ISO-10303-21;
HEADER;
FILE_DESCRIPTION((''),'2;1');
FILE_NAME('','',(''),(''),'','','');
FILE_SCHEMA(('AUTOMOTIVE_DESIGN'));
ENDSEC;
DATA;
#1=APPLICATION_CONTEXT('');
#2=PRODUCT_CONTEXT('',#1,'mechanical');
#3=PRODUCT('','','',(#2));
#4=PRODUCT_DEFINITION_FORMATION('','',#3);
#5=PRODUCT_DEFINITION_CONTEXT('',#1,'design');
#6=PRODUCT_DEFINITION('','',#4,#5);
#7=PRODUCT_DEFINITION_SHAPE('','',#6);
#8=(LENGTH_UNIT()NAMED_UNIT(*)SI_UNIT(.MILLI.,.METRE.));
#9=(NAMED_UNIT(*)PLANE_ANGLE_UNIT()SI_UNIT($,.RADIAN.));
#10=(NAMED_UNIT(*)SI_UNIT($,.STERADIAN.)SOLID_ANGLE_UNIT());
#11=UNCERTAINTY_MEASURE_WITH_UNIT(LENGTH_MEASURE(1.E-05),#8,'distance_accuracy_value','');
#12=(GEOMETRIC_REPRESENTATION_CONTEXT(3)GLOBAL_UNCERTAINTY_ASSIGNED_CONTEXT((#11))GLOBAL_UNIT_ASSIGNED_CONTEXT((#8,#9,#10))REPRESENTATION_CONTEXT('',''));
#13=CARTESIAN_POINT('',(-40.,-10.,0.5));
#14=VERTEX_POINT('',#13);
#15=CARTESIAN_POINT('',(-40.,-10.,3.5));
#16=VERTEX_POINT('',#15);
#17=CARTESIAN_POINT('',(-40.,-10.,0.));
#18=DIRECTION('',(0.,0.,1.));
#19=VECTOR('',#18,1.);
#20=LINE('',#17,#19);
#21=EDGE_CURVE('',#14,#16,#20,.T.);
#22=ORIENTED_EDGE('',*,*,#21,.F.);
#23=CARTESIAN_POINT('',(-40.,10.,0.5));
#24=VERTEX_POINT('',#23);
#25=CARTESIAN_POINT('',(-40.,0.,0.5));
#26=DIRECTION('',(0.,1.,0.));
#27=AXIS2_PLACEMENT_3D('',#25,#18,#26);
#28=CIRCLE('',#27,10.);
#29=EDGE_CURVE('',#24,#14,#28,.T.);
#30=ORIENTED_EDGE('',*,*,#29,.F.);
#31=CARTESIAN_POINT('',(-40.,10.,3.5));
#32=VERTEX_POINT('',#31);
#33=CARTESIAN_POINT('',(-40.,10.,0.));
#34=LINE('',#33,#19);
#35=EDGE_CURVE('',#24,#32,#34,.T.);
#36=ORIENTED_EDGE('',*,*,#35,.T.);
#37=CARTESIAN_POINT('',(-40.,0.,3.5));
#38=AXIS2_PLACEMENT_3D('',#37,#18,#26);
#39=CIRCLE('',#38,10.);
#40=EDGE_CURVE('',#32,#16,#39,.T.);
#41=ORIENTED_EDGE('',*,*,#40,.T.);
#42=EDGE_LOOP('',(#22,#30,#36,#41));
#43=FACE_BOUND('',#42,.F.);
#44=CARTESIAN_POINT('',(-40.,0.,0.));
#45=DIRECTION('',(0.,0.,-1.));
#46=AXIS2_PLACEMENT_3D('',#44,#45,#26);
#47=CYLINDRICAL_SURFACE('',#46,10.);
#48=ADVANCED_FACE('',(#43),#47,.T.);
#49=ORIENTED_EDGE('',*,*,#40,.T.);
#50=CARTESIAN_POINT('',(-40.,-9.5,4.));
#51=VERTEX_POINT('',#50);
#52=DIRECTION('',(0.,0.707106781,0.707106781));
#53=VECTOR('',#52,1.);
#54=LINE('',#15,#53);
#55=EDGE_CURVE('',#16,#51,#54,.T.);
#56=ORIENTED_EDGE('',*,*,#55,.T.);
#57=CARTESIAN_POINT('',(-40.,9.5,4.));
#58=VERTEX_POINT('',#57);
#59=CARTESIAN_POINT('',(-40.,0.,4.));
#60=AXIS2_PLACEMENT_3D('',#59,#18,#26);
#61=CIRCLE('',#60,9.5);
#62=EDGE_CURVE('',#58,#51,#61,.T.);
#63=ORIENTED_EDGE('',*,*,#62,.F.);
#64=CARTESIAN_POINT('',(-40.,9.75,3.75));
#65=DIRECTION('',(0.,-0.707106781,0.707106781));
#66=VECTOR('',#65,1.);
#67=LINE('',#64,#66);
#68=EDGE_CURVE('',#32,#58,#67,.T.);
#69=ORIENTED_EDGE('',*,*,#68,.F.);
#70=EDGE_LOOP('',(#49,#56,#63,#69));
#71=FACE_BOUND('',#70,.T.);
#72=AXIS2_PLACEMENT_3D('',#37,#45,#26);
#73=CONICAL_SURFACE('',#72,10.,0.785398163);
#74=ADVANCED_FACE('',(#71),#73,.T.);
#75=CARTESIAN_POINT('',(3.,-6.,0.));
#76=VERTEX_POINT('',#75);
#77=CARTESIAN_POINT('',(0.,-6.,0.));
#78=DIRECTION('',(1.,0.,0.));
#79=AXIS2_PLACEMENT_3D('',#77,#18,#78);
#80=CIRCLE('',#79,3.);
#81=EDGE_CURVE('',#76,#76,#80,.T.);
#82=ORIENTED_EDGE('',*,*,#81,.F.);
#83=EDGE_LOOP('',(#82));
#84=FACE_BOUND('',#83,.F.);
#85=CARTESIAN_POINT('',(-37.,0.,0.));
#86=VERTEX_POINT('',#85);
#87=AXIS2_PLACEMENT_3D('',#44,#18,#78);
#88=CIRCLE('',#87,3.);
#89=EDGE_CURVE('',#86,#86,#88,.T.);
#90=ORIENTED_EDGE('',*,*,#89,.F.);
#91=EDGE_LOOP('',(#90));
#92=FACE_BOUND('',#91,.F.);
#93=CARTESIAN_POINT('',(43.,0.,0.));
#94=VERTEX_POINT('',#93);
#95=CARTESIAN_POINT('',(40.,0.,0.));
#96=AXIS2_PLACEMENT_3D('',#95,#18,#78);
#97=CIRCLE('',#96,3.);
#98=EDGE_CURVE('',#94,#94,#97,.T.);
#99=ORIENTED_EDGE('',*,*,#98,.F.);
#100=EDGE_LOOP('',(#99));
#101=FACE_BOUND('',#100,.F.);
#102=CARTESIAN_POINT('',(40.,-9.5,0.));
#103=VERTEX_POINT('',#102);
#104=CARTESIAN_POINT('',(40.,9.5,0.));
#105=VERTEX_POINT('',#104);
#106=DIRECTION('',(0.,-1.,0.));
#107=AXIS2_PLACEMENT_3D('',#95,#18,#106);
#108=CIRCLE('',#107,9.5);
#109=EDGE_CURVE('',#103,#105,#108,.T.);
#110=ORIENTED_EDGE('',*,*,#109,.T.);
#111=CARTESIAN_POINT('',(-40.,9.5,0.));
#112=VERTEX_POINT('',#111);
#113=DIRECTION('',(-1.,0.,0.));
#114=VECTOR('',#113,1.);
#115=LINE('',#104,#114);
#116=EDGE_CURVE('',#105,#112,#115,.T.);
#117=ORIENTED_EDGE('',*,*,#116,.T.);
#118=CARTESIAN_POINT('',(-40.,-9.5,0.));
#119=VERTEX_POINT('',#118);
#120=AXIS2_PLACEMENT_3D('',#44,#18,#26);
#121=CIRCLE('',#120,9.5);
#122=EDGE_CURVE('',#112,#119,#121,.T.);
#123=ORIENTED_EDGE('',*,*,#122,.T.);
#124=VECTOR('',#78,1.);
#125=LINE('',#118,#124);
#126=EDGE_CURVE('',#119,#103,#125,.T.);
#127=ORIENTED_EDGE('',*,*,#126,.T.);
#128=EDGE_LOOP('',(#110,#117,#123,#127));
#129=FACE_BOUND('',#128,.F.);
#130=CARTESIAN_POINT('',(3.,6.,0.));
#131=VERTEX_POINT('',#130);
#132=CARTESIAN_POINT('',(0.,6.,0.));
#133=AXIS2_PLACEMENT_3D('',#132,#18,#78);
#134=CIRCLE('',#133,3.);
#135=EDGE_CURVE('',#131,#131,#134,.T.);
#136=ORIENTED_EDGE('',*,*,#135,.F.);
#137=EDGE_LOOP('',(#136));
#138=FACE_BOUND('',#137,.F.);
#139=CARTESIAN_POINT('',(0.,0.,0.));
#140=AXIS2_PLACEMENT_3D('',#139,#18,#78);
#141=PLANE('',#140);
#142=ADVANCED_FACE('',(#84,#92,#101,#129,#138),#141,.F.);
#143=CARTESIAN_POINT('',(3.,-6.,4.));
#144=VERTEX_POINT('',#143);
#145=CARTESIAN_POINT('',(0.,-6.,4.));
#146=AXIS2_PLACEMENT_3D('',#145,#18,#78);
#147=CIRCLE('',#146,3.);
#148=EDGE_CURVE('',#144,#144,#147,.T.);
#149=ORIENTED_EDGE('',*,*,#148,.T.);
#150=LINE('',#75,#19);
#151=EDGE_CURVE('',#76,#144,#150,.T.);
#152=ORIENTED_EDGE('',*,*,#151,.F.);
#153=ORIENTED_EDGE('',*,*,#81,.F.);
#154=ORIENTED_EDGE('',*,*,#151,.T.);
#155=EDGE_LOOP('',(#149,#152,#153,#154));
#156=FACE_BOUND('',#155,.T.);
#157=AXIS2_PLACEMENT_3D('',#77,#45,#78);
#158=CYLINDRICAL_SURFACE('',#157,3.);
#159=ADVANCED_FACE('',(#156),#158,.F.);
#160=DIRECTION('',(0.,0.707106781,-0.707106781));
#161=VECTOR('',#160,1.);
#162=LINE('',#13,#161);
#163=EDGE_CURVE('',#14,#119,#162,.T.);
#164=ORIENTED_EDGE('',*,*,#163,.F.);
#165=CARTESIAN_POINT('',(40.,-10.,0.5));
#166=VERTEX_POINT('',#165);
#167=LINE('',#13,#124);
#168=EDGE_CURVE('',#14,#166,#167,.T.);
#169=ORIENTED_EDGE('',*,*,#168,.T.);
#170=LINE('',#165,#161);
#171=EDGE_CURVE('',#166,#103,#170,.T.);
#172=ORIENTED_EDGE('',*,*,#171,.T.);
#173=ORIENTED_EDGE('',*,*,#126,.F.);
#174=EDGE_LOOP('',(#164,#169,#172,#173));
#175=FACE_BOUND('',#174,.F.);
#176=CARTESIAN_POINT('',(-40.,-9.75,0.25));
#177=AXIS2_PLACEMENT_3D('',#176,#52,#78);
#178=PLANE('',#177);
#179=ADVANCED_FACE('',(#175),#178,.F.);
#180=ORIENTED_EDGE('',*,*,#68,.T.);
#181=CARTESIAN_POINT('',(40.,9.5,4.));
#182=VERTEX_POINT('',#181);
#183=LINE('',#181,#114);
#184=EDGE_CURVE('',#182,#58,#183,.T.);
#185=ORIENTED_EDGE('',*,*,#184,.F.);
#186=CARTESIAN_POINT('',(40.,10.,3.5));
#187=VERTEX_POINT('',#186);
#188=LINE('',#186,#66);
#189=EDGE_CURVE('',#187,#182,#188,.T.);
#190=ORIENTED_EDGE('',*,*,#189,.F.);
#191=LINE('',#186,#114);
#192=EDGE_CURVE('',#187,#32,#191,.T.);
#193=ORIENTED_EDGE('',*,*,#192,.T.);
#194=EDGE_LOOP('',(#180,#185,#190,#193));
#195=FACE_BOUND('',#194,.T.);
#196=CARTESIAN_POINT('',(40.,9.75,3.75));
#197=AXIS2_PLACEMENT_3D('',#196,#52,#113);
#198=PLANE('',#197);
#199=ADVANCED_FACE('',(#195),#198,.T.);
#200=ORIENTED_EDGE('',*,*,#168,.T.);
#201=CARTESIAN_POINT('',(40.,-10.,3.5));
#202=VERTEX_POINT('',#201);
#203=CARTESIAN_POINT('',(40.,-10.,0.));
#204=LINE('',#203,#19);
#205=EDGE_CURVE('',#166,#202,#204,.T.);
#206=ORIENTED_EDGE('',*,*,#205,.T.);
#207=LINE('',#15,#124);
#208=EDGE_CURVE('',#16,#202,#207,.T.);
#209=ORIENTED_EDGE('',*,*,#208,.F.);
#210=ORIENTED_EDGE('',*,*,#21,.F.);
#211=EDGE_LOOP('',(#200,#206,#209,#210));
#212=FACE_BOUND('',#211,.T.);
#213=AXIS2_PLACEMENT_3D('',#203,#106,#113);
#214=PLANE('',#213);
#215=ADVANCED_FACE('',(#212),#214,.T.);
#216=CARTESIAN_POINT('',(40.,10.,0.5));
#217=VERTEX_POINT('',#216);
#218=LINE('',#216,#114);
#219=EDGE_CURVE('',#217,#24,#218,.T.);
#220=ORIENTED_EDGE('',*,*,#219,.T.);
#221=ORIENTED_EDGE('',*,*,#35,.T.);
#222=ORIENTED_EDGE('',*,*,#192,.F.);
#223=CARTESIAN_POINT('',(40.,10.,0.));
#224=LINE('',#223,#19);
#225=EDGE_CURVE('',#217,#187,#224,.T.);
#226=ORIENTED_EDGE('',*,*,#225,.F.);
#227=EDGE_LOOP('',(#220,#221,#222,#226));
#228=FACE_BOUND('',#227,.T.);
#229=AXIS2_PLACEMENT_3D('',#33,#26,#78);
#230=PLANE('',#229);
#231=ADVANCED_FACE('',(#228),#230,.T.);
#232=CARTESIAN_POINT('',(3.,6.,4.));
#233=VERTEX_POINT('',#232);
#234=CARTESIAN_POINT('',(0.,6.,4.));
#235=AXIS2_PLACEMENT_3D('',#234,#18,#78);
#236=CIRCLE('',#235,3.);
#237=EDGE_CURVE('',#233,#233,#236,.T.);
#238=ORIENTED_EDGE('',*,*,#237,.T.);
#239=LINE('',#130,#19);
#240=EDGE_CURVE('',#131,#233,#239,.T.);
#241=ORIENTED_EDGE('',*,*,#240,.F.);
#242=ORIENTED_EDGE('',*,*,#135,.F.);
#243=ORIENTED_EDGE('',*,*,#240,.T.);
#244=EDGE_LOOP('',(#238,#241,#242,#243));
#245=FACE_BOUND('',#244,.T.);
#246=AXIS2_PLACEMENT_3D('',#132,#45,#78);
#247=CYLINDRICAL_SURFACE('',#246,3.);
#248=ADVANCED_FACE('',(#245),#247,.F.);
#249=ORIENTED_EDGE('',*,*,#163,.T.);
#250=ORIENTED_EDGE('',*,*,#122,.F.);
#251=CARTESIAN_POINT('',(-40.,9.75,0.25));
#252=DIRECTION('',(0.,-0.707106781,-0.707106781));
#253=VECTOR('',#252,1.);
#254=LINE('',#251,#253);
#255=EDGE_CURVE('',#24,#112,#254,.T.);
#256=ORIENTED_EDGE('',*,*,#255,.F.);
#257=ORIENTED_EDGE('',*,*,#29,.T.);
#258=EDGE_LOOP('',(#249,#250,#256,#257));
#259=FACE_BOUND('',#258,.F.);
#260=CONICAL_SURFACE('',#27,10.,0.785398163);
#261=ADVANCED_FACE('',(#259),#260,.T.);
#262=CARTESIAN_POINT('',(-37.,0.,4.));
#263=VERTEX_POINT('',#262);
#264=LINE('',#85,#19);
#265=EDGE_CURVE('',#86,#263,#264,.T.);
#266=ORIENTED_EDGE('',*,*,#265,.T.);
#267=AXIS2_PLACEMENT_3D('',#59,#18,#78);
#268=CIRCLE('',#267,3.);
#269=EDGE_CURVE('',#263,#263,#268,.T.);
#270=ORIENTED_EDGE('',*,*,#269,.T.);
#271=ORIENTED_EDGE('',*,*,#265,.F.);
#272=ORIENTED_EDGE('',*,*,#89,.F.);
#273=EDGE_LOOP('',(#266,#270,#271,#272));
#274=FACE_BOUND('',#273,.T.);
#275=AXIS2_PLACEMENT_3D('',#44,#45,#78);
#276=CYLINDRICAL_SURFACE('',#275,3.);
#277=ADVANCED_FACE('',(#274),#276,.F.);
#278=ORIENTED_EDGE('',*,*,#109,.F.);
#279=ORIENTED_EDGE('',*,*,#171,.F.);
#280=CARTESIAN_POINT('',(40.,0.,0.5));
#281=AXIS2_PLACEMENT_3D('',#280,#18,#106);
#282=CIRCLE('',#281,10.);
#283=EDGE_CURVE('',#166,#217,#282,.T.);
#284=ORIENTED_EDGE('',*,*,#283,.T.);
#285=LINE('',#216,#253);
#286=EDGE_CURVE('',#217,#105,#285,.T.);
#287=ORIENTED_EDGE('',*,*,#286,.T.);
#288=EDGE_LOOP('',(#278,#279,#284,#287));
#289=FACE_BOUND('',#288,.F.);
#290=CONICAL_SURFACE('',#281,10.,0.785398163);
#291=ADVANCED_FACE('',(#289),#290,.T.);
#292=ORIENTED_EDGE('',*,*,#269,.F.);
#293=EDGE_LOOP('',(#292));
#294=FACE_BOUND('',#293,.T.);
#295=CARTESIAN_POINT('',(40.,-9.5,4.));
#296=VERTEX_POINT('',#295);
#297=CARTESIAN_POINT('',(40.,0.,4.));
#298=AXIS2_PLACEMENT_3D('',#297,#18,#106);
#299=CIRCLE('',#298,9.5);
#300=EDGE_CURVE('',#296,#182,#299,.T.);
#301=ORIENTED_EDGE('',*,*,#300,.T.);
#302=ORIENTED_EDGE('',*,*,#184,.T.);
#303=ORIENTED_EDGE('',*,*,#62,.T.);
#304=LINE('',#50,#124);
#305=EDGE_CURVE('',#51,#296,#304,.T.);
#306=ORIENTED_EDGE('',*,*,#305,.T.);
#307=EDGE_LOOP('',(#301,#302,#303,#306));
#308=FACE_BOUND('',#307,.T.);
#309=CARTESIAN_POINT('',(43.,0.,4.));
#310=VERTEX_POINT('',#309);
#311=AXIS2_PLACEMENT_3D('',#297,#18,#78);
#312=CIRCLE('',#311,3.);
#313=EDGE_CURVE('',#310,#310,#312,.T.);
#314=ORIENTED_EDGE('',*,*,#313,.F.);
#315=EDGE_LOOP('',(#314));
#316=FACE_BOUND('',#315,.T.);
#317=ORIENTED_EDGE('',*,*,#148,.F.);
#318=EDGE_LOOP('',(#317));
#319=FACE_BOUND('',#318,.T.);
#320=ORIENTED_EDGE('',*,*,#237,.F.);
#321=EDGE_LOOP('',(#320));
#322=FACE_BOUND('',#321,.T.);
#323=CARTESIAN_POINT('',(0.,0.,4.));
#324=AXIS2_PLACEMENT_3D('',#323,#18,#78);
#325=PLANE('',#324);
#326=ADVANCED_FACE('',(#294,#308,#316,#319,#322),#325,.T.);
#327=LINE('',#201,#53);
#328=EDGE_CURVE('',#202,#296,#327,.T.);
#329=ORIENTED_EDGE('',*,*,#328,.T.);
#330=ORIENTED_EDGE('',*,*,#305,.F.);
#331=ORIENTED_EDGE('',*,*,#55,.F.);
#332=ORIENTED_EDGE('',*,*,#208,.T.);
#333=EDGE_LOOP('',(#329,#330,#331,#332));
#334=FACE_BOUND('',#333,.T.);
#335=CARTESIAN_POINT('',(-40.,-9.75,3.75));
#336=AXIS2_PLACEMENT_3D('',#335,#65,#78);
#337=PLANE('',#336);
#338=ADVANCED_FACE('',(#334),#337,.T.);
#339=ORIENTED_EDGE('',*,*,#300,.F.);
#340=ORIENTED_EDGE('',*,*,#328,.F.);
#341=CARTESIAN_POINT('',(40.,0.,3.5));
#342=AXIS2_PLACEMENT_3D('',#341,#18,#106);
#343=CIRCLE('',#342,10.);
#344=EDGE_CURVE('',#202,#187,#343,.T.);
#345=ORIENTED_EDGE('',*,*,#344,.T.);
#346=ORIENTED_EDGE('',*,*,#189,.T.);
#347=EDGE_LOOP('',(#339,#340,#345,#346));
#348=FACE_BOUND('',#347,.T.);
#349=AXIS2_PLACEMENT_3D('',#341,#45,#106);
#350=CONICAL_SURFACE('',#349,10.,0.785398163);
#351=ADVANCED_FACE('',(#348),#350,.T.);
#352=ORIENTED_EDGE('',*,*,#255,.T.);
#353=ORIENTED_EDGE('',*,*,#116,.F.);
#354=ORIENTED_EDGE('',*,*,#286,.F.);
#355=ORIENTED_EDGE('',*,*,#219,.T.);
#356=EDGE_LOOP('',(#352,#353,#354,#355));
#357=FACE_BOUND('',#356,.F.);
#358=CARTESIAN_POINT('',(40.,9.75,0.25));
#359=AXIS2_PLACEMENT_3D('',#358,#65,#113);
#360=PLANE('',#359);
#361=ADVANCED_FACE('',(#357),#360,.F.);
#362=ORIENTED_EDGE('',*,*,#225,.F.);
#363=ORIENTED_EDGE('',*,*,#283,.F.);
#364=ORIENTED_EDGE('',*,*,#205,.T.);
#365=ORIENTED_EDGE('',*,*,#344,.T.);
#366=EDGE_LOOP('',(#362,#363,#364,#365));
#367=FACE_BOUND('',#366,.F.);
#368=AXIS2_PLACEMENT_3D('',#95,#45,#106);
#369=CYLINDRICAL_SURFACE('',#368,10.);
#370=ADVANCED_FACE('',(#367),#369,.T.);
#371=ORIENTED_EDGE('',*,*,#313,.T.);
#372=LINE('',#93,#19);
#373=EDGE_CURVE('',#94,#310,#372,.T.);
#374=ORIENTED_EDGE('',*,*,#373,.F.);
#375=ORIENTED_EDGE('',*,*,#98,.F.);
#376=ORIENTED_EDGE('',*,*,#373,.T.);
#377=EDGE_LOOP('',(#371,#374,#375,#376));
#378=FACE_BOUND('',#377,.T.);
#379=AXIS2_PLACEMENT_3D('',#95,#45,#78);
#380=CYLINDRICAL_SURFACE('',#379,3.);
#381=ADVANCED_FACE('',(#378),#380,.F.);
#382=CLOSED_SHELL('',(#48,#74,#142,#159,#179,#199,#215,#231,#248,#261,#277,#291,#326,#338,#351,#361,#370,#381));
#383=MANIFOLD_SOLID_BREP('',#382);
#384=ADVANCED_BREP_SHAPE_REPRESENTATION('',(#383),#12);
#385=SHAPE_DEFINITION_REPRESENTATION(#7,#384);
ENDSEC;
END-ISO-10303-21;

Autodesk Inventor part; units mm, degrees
ref_plane "YZ Plane" through (0, 0, 0) normal (1, 0, 0) x (0, 1, 0)
ref_plane "XZ Plane" through (0, 0, 0) normal (0, 1, 0) x (-1, 0, 0)
ref_plane "XY Plane" through (0, 0, 0) normal (0, 0, 1) x (1, 0, 0)
sketch "Boceto1" plane through (0, 0, 0) normal (0, 0, 1) x (1, 0, 0)
  line L0 (-40, 10) -> (40, 10)
  arc A0 (40, -10) -> (40, 10) centre (40, 0) ccw
  line L1 (40, -10) -> (-40, -10)
  arc A1 (-40, 10) -> (-40, -10) centre (-40, 0) ccw
  circle A2 centre (-40, 0) radius 3
  circle A3 centre (40, 0) radius 3
  circle A4 centre (0, 6) radius 3
  circle A5 centre (0, -6) radius 3
  point P0 (0, 0)
  point P1 (0, 10)
  point P2 (50, 0)
  dimension "d0" = 10
  dimension "d1" = 80
  dimension "d2" = 6
  dimension "d3" = 4
  dimension "d4" = 4
extrude "Extrusión1" add sketch "Boceto1" along normal blind 4
chamfer "Chaflán1" distance 0.5 angle 45 8 edges at (50, 0, 0) (0, -10, 0) (-50, 0, 0) (0, 10, 0) (50, 0, 4) (0, 10, 4) (-50, 0, 4) (0, -10, 4)
equation "\"d4\" = d3"
properties part number "steering_top_plane" material "Acero, aleación"
